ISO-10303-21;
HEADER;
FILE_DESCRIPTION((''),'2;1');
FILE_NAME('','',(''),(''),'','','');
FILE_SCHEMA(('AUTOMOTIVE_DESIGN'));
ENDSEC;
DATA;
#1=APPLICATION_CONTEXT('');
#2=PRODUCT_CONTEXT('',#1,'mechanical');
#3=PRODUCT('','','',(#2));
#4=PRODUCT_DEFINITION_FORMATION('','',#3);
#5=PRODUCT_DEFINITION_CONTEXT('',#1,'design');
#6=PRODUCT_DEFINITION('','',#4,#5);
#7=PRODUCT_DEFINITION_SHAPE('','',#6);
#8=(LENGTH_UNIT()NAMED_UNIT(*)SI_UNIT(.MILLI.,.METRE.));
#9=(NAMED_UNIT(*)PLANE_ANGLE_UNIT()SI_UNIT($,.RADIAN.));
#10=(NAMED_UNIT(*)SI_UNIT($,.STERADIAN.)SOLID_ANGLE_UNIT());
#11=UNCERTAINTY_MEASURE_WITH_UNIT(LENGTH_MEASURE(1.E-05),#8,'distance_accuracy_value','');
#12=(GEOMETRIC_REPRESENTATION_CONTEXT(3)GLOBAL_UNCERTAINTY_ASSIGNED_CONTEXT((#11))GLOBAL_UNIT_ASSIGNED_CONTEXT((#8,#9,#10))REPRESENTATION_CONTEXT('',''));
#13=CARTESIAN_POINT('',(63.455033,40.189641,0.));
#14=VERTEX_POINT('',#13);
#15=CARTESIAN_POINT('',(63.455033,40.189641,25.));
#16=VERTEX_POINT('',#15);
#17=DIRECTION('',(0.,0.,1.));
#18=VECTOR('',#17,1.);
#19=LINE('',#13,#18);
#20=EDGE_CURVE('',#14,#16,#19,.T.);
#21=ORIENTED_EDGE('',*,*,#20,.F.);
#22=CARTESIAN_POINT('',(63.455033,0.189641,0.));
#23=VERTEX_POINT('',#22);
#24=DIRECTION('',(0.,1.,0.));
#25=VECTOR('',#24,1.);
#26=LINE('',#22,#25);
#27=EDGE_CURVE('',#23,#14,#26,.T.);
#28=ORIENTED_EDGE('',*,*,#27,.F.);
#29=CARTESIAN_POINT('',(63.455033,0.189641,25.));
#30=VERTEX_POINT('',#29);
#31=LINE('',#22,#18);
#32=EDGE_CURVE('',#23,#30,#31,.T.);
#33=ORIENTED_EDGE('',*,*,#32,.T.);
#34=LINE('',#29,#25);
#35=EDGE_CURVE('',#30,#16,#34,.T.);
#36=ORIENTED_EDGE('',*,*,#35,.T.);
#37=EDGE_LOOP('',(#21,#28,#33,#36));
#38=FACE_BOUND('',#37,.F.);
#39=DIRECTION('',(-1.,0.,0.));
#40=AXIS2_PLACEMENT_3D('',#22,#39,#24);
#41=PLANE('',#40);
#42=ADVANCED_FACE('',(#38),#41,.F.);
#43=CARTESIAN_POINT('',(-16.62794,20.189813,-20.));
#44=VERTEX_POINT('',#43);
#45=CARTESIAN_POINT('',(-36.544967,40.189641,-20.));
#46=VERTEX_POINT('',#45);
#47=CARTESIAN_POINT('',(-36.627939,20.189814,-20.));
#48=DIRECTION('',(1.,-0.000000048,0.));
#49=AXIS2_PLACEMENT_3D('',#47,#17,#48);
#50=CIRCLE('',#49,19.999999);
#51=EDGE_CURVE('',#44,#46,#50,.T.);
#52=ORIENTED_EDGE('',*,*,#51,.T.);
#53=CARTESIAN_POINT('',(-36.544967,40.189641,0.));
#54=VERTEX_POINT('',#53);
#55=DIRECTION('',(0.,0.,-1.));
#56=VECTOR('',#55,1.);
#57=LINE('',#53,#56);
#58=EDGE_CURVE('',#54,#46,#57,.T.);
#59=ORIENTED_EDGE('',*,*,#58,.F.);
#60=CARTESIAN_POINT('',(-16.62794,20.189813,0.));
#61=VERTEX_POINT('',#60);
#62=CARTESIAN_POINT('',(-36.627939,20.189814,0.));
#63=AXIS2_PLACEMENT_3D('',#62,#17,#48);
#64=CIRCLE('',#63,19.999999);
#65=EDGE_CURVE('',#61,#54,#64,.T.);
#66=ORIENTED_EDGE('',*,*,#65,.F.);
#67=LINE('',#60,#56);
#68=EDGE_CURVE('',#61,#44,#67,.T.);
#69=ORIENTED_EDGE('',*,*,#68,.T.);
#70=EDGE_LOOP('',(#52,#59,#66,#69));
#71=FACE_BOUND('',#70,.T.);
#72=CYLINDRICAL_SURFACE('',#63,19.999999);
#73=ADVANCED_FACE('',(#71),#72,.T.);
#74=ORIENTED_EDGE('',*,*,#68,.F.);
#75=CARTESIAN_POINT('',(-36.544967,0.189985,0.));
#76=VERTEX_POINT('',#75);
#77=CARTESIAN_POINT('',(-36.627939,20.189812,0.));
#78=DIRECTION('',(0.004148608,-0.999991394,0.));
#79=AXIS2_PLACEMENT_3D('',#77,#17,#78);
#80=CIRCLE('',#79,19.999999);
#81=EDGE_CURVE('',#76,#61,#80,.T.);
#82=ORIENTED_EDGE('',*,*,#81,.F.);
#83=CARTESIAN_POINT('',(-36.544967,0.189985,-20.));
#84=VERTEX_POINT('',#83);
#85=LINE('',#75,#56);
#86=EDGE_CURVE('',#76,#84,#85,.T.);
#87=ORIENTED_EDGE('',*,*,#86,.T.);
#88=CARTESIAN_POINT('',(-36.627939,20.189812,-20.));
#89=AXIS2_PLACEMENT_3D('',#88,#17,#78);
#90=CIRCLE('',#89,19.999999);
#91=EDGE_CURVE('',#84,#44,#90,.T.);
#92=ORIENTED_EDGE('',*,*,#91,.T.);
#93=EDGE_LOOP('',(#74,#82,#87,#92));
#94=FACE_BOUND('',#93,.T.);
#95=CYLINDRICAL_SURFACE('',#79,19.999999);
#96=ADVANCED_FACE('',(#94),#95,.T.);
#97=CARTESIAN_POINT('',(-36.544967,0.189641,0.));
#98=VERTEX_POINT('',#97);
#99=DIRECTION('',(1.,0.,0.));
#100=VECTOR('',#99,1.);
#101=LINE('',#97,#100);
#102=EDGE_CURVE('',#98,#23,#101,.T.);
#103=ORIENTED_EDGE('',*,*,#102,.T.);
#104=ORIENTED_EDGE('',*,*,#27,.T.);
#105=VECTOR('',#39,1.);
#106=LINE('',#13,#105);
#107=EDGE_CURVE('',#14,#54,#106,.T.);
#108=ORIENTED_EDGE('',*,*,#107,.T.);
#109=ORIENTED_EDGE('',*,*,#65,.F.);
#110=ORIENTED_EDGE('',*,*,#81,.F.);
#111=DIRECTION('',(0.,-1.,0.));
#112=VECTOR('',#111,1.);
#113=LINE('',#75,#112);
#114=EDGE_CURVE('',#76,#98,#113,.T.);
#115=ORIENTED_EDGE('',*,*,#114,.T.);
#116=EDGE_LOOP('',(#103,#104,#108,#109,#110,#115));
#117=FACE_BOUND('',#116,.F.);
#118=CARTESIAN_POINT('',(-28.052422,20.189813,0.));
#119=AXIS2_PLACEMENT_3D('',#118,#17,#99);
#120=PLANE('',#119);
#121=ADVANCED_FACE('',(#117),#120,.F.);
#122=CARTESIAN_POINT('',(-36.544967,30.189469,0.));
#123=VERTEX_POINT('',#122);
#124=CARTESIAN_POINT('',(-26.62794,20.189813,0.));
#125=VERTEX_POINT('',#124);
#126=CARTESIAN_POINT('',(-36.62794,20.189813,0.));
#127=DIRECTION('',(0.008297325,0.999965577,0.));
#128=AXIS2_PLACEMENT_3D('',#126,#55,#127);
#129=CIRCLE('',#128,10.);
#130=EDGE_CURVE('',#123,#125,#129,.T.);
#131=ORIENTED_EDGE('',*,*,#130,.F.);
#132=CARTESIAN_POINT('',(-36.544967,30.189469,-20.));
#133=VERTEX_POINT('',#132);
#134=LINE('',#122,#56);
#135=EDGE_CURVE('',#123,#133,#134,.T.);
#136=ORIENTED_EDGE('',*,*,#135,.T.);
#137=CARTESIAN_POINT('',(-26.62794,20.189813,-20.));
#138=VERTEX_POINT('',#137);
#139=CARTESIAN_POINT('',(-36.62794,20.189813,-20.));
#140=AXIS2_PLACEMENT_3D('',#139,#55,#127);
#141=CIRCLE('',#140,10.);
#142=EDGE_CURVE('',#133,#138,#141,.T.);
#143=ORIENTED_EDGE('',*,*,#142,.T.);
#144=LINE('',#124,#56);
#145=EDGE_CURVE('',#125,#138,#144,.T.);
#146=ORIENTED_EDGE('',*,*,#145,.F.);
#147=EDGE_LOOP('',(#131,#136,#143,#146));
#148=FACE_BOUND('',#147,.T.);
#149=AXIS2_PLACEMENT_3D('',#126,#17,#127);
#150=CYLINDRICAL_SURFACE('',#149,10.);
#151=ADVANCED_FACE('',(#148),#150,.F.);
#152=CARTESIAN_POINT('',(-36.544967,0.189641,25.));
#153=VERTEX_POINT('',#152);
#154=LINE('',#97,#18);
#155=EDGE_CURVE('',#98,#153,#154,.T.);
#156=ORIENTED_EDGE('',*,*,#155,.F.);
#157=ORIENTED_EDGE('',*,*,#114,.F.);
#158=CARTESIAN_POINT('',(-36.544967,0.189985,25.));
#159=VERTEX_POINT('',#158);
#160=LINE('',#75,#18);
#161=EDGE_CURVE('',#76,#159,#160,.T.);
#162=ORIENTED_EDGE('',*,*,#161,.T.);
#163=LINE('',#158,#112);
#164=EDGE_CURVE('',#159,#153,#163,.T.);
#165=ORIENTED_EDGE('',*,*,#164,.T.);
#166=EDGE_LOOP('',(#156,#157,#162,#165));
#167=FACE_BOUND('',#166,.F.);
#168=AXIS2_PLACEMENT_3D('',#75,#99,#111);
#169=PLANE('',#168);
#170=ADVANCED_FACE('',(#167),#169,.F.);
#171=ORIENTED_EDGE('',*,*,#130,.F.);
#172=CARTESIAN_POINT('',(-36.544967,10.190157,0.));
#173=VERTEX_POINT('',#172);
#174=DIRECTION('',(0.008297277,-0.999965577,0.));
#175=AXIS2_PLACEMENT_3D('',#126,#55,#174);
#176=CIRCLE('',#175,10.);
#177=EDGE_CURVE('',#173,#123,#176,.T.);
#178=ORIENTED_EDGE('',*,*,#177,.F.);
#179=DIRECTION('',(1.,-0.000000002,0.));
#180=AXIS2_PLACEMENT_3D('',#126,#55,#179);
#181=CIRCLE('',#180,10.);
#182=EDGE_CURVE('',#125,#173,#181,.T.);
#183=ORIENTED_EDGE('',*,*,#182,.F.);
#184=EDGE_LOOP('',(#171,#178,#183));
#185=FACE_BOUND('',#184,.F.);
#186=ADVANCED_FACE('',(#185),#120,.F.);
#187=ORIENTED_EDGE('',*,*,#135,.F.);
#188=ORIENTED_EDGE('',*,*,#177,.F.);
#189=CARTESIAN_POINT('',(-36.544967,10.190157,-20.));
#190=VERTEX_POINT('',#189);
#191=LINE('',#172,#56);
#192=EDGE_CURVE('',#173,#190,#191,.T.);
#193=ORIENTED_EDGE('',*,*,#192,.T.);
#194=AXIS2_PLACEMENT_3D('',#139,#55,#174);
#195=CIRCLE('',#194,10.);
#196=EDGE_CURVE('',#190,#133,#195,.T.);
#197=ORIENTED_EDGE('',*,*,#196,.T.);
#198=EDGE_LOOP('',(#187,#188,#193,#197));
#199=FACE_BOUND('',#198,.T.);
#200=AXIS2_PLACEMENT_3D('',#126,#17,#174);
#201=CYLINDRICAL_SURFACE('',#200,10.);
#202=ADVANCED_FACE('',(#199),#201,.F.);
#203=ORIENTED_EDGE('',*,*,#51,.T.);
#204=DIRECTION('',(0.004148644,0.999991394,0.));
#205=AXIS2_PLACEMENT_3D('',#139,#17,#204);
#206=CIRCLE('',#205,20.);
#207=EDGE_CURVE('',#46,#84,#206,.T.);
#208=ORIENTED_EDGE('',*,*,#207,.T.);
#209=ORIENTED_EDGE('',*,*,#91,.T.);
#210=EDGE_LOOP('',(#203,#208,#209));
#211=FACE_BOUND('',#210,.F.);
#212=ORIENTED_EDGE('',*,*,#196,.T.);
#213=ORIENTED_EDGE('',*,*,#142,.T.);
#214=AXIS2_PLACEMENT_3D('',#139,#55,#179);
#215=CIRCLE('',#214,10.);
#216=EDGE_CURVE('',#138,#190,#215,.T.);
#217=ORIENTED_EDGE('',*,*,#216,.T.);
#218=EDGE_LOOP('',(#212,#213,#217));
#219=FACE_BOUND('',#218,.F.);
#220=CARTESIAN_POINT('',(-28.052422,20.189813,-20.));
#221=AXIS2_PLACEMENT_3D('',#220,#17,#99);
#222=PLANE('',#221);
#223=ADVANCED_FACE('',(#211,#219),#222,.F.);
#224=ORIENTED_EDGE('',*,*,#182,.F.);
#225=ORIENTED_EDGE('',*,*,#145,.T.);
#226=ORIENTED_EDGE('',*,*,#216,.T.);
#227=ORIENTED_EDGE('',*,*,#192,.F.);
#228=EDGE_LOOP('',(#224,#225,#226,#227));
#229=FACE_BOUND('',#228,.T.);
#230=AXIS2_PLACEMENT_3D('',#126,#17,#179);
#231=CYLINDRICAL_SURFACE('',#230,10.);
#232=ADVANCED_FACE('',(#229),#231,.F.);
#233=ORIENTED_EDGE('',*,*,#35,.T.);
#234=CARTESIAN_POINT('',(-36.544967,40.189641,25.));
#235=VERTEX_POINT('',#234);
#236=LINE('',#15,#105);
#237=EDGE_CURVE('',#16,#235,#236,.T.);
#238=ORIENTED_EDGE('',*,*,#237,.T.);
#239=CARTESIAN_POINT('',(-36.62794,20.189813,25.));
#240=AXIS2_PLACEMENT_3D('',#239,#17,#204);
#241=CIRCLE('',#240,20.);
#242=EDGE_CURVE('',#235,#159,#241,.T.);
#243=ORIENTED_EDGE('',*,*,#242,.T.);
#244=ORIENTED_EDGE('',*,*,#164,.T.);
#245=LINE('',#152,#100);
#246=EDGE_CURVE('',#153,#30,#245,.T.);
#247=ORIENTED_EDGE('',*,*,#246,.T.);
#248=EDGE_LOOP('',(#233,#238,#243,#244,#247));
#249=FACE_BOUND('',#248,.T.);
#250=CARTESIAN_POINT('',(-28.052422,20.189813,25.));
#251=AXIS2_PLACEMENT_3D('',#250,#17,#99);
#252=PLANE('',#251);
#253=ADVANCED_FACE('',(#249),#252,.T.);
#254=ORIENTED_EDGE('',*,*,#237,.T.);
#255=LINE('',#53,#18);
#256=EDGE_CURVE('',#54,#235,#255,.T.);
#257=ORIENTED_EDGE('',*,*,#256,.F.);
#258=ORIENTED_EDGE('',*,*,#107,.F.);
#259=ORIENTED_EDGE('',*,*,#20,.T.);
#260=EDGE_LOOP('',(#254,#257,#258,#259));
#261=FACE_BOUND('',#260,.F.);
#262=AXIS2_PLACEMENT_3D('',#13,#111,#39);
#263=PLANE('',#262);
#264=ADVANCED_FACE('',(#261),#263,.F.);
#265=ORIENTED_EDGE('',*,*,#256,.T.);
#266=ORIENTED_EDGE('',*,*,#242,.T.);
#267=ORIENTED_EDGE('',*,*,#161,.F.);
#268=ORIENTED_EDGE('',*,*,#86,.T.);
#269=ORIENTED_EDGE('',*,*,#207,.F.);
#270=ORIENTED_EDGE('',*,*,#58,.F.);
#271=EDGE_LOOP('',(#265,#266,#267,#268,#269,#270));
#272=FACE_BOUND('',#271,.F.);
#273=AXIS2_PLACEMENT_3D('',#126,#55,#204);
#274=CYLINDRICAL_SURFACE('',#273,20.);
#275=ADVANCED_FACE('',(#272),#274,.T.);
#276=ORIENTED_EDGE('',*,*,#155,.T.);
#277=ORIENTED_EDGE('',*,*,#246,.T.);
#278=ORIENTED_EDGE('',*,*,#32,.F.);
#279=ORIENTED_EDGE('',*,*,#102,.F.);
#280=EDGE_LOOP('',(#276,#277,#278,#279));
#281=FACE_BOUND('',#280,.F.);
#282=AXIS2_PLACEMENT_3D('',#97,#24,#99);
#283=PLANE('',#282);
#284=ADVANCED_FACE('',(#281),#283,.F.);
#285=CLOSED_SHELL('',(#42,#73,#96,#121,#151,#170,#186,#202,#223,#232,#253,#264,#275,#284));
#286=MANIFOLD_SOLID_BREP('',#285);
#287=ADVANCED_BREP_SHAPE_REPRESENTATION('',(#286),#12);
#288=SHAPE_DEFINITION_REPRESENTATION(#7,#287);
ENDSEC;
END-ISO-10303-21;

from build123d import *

# Parameters (mm, degrees)
F1_DEPTH = 20
F2_DEPTH = 25


with BuildPart() as f1:
    # F0 (on Top) → F1 (new body)
    with BuildSketch(Plane.XY):
        with BuildLine():
            ThreePointArc((-36.544967, 0.189985), (-22.456499, 6.077043), (-16.62794, 20.189813))
            ThreePointArc((-16.62794, 20.189813), (-22.456499, 34.302583), (-36.544967, 40.189641))
            Line((-36.544967, 40.189641), (-36.544967, 30.189469))
            ThreePointArc((-36.544967, 30.189469), (-29.527597, 27.231484), (-26.62794, 20.189813))
            ThreePointArc((-26.62794, 20.189813), (-29.527597, 13.148142), (-36.544967, 10.190157))
            Line((-36.544967, 10.190157), (-36.544967, 0.189985))
        make_face()
        with BuildLine():
            Line((-36.544967, 30.189469), (-36.544967, 40.189641))
            ThreePointArc((-36.544967, 40.189641), (-56.62794, 20.189813), (-36.544967, 0.189985))
            Line((-36.544967, 0.189985), (-36.544967, 10.190157))
            ThreePointArc((-36.544967, 10.190157), (-46.62794, 20.189813), (-36.544967, 30.189469))
        make_face()
    extrude(amount=-F1_DEPTH)

    # F0 (on Top) → F2 (join)
    with BuildSketch(Plane.XY):
        with BuildLine():
            ThreePointArc((-36.544967, 0.189985), (-22.456499, 6.077043), (-16.62794, 20.189813))
            ThreePointArc((-16.62794, 20.189813), (-22.456499, 34.302583), (-36.544967, 40.189641))
            Line((-36.544967, 40.189641), (-36.544967, 30.189469))
            ThreePointArc((-36.544967, 30.189469), (-29.527597, 27.231484), (-26.62794, 20.189813))
            ThreePointArc((-26.62794, 20.189813), (-29.527597, 13.148142), (-36.544967, 10.190157))
            Line((-36.544967, 10.190157), (-36.544967, 0.189985))
        make_face()
        with BuildLine():
            Line((-36.544967, 30.189469), (-36.544967, 40.189641))
            ThreePointArc((-36.544967, 40.189641), (-56.62794, 20.189813), (-36.544967, 0.189985))
            Line((-36.544967, 0.189985), (-36.544967, 10.190157))
            ThreePointArc((-36.544967, 10.190157), (-46.62794, 20.189813), (-36.544967, 30.189469))
        make_face()
        with BuildLine():
            ThreePointArc((-26.62794, 20.189813), (-29.527597, 27.231484), (-36.544967, 30.189469))
            Line((-36.544967, 30.189469), (-36.544967, 10.190157))
            ThreePointArc((-36.544967, 10.190157), (-29.527597, 13.148142), (-26.62794, 20.189813))
        make_face()
        with BuildLine():
            Line((-36.544967, 10.190157), (-36.544967, 30.189469))
            ThreePointArc((-36.544967, 30.189469), (-46.62794, 20.189813), (-36.544967, 10.190157))
        make_face()
        with BuildLine():
            ThreePointArc((-36.544967, 40.189641), (-22.456499, 34.302583), (-16.62794, 20.189813))
            ThreePointArc((-16.62794, 20.189813), (-22.456499, 6.077043), (-36.544967, 0.189985))
            Line((-36.544967, 0.189985), (-36.544967, 0.189641))
            Line((-36.544967, 0.189641), (63.455033, 0.189641))
            Line((63.455033, 0.189641), (63.455033, 40.189641))
            Line((63.455033, 40.189641), (-36.544967, 40.189641))
        make_face()
    extrude(amount=F2_DEPTH)


solid = f1.part
